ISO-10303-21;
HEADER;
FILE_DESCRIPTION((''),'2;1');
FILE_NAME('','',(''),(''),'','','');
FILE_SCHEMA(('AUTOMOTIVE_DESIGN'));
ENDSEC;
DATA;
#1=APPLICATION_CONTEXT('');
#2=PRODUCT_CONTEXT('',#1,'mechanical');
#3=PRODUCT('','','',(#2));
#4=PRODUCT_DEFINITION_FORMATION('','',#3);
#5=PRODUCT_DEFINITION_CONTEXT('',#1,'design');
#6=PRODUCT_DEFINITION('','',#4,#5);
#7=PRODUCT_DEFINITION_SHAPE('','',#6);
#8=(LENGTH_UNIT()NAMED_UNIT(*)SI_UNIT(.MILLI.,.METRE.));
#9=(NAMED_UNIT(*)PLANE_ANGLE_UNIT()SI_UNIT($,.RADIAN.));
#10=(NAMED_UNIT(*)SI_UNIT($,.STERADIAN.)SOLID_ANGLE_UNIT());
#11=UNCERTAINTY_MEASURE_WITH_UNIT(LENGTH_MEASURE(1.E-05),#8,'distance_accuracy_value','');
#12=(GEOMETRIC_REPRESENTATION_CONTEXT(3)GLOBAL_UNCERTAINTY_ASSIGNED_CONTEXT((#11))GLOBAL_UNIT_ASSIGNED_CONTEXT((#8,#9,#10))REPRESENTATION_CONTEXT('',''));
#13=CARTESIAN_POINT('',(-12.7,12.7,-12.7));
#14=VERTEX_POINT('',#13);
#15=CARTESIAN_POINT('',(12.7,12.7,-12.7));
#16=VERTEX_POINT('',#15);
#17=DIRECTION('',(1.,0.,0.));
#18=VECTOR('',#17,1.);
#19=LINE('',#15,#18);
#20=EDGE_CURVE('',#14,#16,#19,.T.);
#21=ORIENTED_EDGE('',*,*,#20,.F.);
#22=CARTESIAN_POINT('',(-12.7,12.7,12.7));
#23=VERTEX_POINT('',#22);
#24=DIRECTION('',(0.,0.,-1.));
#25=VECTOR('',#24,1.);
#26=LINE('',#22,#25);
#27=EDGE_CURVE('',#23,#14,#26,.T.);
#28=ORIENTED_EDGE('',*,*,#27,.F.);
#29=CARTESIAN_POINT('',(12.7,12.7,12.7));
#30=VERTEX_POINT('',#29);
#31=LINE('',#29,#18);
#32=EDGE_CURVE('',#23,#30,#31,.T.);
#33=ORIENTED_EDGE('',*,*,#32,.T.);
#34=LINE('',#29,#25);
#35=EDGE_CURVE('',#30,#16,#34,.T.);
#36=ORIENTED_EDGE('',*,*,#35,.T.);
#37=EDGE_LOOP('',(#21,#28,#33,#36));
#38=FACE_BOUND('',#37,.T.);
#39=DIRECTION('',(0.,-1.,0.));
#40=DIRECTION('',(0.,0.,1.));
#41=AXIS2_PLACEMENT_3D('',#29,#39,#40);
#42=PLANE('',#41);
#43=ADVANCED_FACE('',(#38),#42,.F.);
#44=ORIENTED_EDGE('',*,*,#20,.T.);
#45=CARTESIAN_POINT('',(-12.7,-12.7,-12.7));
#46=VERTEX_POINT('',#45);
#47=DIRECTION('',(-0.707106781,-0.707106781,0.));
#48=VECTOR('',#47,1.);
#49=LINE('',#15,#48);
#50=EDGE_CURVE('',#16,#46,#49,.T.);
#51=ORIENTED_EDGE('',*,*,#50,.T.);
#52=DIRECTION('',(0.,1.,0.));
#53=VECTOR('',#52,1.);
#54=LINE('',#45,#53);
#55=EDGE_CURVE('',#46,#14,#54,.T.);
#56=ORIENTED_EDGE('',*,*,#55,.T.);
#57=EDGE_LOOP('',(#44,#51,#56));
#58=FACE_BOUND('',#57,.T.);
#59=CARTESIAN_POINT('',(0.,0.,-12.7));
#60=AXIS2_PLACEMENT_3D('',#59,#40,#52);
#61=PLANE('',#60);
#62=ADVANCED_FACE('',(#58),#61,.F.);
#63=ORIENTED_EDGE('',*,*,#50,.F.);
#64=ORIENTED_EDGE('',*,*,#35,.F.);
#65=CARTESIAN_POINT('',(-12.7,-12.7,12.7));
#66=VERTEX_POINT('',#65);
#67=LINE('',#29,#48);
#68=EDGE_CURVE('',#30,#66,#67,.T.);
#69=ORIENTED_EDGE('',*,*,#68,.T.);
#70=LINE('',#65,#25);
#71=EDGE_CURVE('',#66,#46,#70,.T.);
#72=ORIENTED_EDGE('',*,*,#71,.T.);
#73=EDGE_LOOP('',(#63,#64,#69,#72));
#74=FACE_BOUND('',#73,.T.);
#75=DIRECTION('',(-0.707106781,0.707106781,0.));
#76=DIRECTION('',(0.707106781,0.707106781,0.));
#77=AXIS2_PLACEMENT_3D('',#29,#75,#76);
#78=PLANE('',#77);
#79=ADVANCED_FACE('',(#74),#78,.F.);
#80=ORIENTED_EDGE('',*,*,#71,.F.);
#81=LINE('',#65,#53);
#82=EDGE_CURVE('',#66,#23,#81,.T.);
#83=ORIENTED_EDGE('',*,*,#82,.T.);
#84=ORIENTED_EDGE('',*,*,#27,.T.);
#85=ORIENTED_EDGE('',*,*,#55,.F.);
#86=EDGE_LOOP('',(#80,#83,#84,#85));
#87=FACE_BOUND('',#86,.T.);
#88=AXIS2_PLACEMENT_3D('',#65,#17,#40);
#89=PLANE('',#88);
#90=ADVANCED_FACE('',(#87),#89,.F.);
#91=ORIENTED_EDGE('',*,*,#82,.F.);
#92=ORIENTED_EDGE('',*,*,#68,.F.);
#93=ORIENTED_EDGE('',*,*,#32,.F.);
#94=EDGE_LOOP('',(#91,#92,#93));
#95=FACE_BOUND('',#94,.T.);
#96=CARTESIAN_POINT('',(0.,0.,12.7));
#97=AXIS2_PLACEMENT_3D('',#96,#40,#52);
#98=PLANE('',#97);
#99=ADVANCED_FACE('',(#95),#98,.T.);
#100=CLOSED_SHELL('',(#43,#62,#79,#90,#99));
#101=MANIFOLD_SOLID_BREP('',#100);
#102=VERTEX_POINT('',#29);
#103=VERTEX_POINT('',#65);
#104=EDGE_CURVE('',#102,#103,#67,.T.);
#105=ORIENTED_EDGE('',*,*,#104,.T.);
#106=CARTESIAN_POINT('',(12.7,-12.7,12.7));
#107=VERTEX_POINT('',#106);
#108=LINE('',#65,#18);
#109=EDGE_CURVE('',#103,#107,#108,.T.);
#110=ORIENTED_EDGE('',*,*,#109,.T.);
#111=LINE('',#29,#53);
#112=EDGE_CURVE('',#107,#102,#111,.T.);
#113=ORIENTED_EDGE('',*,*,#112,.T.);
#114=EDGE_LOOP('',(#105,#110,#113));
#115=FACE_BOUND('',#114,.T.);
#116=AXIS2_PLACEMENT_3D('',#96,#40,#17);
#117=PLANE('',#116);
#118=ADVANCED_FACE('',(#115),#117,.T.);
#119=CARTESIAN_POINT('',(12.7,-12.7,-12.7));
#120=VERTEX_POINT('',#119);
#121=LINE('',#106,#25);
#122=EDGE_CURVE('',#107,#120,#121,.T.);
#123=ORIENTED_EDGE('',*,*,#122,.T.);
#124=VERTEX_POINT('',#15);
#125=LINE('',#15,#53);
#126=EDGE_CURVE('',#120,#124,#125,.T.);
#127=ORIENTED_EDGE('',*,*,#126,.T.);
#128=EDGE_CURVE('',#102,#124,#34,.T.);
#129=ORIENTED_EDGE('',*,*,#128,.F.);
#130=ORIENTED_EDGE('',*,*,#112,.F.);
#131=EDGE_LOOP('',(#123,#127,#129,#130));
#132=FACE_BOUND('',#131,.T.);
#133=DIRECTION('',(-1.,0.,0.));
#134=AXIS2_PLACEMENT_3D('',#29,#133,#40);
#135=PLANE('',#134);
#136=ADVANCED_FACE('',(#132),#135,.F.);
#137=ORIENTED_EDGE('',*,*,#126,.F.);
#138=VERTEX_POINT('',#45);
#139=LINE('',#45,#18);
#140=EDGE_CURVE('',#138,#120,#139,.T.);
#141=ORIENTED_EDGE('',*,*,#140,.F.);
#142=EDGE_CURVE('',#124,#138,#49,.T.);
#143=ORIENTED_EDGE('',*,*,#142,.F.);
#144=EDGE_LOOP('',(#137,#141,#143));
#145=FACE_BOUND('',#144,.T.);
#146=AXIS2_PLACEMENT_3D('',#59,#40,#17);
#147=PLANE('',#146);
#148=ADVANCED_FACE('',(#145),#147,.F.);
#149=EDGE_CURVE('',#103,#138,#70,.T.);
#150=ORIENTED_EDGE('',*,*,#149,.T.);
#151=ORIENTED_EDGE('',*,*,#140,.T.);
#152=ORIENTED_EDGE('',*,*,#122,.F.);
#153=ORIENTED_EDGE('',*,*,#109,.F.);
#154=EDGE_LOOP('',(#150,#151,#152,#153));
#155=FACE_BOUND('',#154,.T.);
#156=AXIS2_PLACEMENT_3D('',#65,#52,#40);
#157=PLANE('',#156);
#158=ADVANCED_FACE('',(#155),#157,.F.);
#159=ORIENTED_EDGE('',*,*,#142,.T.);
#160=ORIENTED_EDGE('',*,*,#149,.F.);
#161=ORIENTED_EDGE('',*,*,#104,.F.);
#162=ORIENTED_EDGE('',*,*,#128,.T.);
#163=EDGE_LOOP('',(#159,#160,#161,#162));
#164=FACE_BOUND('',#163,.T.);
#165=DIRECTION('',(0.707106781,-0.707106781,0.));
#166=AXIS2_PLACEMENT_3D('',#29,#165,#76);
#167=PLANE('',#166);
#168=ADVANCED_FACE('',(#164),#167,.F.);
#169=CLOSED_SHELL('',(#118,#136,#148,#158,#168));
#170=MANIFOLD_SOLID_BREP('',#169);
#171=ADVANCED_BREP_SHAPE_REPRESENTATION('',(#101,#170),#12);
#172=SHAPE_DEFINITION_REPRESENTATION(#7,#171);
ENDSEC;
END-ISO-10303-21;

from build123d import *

# Parameters (mm, degrees)
EXTRUDE_1_DEPTH = 12.7


with BuildPart() as part:
    # 草图1 → 凸台-拉伸1 (new body, symmetric)
    with BuildSketch(Plane.XY):
        Polygon((-12.7, -12.7), (12.7, -12.7), (12.7, 12.7), align=None)
    extrude(amount=EXTRUDE_1_DEPTH, both=True)


with BuildPart() as body_2:
    # 镜向2: mirrored copy
    add(part.part.mirror(Plane(origin=(12.7, 12.7, 12.7), x_dir=(0, 0, 1), z_dir=(0.707106781, -0.707106781, 0))))


solid = Compound([part.part, body_2.part])
